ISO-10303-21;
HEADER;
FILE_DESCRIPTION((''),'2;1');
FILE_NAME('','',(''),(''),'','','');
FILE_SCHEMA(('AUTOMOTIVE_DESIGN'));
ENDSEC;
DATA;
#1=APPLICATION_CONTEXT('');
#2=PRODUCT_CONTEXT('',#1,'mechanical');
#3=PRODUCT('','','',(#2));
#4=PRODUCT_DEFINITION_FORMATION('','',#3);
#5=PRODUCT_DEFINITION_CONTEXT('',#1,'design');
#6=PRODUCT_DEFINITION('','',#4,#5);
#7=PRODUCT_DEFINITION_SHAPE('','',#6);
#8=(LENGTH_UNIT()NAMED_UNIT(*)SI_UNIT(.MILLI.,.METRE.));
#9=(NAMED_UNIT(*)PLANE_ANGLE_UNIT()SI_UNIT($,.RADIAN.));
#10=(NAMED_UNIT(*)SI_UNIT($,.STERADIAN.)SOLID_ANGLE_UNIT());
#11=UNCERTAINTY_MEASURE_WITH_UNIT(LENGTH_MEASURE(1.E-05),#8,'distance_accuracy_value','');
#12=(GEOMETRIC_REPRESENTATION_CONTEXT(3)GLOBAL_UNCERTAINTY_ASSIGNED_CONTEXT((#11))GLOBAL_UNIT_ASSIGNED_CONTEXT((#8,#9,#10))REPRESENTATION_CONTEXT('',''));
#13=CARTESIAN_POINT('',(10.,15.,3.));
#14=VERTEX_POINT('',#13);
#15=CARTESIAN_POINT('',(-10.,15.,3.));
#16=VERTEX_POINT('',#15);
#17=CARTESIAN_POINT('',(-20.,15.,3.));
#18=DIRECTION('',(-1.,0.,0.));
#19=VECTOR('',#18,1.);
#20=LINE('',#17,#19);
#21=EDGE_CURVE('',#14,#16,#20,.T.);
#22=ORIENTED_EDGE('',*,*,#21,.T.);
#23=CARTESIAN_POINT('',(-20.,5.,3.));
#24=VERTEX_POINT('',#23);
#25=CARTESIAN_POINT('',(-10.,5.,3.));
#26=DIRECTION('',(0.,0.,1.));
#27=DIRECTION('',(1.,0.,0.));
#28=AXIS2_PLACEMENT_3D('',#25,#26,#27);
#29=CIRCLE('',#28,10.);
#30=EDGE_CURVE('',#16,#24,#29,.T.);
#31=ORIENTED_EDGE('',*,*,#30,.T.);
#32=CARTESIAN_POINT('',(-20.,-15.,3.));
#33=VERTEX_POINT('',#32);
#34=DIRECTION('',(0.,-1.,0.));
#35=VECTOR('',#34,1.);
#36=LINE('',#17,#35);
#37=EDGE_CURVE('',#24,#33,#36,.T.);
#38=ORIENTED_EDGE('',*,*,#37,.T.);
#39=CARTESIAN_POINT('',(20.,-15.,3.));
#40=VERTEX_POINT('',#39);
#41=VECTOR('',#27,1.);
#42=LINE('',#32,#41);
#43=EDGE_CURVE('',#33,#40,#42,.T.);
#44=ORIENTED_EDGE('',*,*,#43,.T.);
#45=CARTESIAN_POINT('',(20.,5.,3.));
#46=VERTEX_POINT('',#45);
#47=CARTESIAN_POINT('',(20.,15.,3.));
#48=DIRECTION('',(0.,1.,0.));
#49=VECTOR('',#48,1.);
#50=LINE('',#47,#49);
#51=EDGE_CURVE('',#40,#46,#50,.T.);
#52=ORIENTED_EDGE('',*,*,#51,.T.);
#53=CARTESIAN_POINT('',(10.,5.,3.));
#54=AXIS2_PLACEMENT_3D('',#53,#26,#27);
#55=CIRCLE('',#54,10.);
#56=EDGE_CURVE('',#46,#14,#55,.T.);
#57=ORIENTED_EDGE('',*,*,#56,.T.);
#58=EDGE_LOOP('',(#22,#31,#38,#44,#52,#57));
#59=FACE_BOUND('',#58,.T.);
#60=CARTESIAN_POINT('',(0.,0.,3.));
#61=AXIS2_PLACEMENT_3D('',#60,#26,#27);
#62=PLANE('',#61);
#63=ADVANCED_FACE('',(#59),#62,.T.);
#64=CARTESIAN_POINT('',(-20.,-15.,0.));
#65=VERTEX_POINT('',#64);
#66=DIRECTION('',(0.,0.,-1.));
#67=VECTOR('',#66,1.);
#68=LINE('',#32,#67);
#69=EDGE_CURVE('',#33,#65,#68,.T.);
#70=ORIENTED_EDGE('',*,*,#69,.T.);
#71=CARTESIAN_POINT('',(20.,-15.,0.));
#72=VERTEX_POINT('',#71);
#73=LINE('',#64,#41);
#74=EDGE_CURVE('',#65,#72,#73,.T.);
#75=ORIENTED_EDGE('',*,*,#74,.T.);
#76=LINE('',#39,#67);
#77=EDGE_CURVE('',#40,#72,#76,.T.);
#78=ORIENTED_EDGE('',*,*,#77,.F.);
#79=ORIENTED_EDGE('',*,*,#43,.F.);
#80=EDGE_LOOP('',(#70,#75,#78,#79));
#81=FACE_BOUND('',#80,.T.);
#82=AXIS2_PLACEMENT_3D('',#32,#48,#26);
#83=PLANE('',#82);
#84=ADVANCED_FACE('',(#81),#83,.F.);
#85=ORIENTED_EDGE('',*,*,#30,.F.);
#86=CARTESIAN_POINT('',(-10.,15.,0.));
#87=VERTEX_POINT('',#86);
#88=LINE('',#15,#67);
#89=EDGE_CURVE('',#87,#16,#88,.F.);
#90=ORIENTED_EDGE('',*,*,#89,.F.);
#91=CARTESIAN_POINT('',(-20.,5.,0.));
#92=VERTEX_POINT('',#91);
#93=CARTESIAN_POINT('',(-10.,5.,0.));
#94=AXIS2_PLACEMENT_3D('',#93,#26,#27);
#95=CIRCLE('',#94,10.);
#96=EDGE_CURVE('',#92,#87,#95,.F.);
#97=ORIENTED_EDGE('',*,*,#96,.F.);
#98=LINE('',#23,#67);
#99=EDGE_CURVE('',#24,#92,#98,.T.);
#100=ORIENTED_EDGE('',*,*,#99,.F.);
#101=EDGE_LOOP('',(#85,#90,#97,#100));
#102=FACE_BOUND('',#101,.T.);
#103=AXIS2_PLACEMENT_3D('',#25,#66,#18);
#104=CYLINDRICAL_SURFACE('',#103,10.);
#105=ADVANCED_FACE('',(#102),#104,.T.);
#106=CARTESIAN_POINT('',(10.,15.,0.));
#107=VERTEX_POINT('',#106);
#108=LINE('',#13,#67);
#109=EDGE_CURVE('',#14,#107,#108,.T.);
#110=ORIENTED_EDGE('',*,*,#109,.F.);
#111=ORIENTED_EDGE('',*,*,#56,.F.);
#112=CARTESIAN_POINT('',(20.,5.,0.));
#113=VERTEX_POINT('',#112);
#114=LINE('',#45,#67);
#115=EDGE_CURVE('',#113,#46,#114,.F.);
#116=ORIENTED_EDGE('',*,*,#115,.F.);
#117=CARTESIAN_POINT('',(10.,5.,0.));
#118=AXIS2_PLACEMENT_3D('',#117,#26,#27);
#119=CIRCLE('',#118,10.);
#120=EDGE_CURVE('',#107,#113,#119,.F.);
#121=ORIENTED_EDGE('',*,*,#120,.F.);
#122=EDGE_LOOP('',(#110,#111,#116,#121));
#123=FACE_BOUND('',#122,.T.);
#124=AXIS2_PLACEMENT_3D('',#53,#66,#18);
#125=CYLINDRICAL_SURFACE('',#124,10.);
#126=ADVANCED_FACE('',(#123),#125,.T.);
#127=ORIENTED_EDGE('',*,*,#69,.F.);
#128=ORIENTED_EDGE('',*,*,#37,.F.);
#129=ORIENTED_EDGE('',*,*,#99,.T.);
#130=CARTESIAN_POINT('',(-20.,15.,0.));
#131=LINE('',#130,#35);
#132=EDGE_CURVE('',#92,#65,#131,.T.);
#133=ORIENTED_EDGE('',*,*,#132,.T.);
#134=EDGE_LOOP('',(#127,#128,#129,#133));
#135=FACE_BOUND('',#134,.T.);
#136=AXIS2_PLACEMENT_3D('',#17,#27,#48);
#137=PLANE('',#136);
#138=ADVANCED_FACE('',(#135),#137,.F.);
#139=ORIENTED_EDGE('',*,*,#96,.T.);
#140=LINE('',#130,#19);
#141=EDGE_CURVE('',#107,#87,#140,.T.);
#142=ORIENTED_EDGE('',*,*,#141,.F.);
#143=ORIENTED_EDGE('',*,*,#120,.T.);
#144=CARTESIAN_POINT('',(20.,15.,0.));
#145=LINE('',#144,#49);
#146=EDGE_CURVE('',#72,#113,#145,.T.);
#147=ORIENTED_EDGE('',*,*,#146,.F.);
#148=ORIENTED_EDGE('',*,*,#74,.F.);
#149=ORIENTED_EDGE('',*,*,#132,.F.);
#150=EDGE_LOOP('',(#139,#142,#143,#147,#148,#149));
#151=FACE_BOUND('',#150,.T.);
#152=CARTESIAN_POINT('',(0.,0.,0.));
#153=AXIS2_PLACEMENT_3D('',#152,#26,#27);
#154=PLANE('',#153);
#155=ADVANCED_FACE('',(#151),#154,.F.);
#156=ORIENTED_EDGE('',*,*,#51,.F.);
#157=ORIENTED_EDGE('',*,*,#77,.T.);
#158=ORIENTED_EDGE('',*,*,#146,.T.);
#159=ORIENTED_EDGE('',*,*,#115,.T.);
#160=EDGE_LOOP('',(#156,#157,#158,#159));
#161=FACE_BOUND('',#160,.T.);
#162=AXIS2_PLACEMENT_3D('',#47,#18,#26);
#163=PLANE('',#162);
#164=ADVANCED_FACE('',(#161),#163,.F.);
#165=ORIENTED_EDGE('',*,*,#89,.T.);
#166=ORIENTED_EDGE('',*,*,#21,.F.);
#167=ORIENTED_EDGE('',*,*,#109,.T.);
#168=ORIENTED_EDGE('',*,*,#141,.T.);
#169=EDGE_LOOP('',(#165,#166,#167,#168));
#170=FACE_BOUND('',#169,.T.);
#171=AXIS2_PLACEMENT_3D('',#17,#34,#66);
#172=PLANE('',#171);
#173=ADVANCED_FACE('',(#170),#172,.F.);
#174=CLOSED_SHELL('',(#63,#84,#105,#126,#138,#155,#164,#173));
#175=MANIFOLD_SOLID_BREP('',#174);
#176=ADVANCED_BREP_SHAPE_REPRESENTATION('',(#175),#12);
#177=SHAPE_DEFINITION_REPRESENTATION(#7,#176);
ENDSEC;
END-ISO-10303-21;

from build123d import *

# Parameters (mm, degrees)
SKETCH1_W           = 40
SKETCH1_H           = 30
BOSS_EXTRUDE1_DEPTH = 3
FILLET1_R           = 10


with BuildPart() as part:
    # Sketch1 → Boss-Extrude1 (new body)
    with BuildSketch(Plane.XY):
        Rectangle(SKETCH1_W, SKETCH1_H)
    extrude(amount=BOSS_EXTRUDE1_DEPTH)

    # Fillet1
    fillet1_edges = [part.edges().sort_by_distance(p)[0] for p in [
        (-20, 15, 1.5),
        (20, 15, 1.5),
    ]]
    fillet(fillet1_edges, radius=FILLET1_R)


solid = part.part
